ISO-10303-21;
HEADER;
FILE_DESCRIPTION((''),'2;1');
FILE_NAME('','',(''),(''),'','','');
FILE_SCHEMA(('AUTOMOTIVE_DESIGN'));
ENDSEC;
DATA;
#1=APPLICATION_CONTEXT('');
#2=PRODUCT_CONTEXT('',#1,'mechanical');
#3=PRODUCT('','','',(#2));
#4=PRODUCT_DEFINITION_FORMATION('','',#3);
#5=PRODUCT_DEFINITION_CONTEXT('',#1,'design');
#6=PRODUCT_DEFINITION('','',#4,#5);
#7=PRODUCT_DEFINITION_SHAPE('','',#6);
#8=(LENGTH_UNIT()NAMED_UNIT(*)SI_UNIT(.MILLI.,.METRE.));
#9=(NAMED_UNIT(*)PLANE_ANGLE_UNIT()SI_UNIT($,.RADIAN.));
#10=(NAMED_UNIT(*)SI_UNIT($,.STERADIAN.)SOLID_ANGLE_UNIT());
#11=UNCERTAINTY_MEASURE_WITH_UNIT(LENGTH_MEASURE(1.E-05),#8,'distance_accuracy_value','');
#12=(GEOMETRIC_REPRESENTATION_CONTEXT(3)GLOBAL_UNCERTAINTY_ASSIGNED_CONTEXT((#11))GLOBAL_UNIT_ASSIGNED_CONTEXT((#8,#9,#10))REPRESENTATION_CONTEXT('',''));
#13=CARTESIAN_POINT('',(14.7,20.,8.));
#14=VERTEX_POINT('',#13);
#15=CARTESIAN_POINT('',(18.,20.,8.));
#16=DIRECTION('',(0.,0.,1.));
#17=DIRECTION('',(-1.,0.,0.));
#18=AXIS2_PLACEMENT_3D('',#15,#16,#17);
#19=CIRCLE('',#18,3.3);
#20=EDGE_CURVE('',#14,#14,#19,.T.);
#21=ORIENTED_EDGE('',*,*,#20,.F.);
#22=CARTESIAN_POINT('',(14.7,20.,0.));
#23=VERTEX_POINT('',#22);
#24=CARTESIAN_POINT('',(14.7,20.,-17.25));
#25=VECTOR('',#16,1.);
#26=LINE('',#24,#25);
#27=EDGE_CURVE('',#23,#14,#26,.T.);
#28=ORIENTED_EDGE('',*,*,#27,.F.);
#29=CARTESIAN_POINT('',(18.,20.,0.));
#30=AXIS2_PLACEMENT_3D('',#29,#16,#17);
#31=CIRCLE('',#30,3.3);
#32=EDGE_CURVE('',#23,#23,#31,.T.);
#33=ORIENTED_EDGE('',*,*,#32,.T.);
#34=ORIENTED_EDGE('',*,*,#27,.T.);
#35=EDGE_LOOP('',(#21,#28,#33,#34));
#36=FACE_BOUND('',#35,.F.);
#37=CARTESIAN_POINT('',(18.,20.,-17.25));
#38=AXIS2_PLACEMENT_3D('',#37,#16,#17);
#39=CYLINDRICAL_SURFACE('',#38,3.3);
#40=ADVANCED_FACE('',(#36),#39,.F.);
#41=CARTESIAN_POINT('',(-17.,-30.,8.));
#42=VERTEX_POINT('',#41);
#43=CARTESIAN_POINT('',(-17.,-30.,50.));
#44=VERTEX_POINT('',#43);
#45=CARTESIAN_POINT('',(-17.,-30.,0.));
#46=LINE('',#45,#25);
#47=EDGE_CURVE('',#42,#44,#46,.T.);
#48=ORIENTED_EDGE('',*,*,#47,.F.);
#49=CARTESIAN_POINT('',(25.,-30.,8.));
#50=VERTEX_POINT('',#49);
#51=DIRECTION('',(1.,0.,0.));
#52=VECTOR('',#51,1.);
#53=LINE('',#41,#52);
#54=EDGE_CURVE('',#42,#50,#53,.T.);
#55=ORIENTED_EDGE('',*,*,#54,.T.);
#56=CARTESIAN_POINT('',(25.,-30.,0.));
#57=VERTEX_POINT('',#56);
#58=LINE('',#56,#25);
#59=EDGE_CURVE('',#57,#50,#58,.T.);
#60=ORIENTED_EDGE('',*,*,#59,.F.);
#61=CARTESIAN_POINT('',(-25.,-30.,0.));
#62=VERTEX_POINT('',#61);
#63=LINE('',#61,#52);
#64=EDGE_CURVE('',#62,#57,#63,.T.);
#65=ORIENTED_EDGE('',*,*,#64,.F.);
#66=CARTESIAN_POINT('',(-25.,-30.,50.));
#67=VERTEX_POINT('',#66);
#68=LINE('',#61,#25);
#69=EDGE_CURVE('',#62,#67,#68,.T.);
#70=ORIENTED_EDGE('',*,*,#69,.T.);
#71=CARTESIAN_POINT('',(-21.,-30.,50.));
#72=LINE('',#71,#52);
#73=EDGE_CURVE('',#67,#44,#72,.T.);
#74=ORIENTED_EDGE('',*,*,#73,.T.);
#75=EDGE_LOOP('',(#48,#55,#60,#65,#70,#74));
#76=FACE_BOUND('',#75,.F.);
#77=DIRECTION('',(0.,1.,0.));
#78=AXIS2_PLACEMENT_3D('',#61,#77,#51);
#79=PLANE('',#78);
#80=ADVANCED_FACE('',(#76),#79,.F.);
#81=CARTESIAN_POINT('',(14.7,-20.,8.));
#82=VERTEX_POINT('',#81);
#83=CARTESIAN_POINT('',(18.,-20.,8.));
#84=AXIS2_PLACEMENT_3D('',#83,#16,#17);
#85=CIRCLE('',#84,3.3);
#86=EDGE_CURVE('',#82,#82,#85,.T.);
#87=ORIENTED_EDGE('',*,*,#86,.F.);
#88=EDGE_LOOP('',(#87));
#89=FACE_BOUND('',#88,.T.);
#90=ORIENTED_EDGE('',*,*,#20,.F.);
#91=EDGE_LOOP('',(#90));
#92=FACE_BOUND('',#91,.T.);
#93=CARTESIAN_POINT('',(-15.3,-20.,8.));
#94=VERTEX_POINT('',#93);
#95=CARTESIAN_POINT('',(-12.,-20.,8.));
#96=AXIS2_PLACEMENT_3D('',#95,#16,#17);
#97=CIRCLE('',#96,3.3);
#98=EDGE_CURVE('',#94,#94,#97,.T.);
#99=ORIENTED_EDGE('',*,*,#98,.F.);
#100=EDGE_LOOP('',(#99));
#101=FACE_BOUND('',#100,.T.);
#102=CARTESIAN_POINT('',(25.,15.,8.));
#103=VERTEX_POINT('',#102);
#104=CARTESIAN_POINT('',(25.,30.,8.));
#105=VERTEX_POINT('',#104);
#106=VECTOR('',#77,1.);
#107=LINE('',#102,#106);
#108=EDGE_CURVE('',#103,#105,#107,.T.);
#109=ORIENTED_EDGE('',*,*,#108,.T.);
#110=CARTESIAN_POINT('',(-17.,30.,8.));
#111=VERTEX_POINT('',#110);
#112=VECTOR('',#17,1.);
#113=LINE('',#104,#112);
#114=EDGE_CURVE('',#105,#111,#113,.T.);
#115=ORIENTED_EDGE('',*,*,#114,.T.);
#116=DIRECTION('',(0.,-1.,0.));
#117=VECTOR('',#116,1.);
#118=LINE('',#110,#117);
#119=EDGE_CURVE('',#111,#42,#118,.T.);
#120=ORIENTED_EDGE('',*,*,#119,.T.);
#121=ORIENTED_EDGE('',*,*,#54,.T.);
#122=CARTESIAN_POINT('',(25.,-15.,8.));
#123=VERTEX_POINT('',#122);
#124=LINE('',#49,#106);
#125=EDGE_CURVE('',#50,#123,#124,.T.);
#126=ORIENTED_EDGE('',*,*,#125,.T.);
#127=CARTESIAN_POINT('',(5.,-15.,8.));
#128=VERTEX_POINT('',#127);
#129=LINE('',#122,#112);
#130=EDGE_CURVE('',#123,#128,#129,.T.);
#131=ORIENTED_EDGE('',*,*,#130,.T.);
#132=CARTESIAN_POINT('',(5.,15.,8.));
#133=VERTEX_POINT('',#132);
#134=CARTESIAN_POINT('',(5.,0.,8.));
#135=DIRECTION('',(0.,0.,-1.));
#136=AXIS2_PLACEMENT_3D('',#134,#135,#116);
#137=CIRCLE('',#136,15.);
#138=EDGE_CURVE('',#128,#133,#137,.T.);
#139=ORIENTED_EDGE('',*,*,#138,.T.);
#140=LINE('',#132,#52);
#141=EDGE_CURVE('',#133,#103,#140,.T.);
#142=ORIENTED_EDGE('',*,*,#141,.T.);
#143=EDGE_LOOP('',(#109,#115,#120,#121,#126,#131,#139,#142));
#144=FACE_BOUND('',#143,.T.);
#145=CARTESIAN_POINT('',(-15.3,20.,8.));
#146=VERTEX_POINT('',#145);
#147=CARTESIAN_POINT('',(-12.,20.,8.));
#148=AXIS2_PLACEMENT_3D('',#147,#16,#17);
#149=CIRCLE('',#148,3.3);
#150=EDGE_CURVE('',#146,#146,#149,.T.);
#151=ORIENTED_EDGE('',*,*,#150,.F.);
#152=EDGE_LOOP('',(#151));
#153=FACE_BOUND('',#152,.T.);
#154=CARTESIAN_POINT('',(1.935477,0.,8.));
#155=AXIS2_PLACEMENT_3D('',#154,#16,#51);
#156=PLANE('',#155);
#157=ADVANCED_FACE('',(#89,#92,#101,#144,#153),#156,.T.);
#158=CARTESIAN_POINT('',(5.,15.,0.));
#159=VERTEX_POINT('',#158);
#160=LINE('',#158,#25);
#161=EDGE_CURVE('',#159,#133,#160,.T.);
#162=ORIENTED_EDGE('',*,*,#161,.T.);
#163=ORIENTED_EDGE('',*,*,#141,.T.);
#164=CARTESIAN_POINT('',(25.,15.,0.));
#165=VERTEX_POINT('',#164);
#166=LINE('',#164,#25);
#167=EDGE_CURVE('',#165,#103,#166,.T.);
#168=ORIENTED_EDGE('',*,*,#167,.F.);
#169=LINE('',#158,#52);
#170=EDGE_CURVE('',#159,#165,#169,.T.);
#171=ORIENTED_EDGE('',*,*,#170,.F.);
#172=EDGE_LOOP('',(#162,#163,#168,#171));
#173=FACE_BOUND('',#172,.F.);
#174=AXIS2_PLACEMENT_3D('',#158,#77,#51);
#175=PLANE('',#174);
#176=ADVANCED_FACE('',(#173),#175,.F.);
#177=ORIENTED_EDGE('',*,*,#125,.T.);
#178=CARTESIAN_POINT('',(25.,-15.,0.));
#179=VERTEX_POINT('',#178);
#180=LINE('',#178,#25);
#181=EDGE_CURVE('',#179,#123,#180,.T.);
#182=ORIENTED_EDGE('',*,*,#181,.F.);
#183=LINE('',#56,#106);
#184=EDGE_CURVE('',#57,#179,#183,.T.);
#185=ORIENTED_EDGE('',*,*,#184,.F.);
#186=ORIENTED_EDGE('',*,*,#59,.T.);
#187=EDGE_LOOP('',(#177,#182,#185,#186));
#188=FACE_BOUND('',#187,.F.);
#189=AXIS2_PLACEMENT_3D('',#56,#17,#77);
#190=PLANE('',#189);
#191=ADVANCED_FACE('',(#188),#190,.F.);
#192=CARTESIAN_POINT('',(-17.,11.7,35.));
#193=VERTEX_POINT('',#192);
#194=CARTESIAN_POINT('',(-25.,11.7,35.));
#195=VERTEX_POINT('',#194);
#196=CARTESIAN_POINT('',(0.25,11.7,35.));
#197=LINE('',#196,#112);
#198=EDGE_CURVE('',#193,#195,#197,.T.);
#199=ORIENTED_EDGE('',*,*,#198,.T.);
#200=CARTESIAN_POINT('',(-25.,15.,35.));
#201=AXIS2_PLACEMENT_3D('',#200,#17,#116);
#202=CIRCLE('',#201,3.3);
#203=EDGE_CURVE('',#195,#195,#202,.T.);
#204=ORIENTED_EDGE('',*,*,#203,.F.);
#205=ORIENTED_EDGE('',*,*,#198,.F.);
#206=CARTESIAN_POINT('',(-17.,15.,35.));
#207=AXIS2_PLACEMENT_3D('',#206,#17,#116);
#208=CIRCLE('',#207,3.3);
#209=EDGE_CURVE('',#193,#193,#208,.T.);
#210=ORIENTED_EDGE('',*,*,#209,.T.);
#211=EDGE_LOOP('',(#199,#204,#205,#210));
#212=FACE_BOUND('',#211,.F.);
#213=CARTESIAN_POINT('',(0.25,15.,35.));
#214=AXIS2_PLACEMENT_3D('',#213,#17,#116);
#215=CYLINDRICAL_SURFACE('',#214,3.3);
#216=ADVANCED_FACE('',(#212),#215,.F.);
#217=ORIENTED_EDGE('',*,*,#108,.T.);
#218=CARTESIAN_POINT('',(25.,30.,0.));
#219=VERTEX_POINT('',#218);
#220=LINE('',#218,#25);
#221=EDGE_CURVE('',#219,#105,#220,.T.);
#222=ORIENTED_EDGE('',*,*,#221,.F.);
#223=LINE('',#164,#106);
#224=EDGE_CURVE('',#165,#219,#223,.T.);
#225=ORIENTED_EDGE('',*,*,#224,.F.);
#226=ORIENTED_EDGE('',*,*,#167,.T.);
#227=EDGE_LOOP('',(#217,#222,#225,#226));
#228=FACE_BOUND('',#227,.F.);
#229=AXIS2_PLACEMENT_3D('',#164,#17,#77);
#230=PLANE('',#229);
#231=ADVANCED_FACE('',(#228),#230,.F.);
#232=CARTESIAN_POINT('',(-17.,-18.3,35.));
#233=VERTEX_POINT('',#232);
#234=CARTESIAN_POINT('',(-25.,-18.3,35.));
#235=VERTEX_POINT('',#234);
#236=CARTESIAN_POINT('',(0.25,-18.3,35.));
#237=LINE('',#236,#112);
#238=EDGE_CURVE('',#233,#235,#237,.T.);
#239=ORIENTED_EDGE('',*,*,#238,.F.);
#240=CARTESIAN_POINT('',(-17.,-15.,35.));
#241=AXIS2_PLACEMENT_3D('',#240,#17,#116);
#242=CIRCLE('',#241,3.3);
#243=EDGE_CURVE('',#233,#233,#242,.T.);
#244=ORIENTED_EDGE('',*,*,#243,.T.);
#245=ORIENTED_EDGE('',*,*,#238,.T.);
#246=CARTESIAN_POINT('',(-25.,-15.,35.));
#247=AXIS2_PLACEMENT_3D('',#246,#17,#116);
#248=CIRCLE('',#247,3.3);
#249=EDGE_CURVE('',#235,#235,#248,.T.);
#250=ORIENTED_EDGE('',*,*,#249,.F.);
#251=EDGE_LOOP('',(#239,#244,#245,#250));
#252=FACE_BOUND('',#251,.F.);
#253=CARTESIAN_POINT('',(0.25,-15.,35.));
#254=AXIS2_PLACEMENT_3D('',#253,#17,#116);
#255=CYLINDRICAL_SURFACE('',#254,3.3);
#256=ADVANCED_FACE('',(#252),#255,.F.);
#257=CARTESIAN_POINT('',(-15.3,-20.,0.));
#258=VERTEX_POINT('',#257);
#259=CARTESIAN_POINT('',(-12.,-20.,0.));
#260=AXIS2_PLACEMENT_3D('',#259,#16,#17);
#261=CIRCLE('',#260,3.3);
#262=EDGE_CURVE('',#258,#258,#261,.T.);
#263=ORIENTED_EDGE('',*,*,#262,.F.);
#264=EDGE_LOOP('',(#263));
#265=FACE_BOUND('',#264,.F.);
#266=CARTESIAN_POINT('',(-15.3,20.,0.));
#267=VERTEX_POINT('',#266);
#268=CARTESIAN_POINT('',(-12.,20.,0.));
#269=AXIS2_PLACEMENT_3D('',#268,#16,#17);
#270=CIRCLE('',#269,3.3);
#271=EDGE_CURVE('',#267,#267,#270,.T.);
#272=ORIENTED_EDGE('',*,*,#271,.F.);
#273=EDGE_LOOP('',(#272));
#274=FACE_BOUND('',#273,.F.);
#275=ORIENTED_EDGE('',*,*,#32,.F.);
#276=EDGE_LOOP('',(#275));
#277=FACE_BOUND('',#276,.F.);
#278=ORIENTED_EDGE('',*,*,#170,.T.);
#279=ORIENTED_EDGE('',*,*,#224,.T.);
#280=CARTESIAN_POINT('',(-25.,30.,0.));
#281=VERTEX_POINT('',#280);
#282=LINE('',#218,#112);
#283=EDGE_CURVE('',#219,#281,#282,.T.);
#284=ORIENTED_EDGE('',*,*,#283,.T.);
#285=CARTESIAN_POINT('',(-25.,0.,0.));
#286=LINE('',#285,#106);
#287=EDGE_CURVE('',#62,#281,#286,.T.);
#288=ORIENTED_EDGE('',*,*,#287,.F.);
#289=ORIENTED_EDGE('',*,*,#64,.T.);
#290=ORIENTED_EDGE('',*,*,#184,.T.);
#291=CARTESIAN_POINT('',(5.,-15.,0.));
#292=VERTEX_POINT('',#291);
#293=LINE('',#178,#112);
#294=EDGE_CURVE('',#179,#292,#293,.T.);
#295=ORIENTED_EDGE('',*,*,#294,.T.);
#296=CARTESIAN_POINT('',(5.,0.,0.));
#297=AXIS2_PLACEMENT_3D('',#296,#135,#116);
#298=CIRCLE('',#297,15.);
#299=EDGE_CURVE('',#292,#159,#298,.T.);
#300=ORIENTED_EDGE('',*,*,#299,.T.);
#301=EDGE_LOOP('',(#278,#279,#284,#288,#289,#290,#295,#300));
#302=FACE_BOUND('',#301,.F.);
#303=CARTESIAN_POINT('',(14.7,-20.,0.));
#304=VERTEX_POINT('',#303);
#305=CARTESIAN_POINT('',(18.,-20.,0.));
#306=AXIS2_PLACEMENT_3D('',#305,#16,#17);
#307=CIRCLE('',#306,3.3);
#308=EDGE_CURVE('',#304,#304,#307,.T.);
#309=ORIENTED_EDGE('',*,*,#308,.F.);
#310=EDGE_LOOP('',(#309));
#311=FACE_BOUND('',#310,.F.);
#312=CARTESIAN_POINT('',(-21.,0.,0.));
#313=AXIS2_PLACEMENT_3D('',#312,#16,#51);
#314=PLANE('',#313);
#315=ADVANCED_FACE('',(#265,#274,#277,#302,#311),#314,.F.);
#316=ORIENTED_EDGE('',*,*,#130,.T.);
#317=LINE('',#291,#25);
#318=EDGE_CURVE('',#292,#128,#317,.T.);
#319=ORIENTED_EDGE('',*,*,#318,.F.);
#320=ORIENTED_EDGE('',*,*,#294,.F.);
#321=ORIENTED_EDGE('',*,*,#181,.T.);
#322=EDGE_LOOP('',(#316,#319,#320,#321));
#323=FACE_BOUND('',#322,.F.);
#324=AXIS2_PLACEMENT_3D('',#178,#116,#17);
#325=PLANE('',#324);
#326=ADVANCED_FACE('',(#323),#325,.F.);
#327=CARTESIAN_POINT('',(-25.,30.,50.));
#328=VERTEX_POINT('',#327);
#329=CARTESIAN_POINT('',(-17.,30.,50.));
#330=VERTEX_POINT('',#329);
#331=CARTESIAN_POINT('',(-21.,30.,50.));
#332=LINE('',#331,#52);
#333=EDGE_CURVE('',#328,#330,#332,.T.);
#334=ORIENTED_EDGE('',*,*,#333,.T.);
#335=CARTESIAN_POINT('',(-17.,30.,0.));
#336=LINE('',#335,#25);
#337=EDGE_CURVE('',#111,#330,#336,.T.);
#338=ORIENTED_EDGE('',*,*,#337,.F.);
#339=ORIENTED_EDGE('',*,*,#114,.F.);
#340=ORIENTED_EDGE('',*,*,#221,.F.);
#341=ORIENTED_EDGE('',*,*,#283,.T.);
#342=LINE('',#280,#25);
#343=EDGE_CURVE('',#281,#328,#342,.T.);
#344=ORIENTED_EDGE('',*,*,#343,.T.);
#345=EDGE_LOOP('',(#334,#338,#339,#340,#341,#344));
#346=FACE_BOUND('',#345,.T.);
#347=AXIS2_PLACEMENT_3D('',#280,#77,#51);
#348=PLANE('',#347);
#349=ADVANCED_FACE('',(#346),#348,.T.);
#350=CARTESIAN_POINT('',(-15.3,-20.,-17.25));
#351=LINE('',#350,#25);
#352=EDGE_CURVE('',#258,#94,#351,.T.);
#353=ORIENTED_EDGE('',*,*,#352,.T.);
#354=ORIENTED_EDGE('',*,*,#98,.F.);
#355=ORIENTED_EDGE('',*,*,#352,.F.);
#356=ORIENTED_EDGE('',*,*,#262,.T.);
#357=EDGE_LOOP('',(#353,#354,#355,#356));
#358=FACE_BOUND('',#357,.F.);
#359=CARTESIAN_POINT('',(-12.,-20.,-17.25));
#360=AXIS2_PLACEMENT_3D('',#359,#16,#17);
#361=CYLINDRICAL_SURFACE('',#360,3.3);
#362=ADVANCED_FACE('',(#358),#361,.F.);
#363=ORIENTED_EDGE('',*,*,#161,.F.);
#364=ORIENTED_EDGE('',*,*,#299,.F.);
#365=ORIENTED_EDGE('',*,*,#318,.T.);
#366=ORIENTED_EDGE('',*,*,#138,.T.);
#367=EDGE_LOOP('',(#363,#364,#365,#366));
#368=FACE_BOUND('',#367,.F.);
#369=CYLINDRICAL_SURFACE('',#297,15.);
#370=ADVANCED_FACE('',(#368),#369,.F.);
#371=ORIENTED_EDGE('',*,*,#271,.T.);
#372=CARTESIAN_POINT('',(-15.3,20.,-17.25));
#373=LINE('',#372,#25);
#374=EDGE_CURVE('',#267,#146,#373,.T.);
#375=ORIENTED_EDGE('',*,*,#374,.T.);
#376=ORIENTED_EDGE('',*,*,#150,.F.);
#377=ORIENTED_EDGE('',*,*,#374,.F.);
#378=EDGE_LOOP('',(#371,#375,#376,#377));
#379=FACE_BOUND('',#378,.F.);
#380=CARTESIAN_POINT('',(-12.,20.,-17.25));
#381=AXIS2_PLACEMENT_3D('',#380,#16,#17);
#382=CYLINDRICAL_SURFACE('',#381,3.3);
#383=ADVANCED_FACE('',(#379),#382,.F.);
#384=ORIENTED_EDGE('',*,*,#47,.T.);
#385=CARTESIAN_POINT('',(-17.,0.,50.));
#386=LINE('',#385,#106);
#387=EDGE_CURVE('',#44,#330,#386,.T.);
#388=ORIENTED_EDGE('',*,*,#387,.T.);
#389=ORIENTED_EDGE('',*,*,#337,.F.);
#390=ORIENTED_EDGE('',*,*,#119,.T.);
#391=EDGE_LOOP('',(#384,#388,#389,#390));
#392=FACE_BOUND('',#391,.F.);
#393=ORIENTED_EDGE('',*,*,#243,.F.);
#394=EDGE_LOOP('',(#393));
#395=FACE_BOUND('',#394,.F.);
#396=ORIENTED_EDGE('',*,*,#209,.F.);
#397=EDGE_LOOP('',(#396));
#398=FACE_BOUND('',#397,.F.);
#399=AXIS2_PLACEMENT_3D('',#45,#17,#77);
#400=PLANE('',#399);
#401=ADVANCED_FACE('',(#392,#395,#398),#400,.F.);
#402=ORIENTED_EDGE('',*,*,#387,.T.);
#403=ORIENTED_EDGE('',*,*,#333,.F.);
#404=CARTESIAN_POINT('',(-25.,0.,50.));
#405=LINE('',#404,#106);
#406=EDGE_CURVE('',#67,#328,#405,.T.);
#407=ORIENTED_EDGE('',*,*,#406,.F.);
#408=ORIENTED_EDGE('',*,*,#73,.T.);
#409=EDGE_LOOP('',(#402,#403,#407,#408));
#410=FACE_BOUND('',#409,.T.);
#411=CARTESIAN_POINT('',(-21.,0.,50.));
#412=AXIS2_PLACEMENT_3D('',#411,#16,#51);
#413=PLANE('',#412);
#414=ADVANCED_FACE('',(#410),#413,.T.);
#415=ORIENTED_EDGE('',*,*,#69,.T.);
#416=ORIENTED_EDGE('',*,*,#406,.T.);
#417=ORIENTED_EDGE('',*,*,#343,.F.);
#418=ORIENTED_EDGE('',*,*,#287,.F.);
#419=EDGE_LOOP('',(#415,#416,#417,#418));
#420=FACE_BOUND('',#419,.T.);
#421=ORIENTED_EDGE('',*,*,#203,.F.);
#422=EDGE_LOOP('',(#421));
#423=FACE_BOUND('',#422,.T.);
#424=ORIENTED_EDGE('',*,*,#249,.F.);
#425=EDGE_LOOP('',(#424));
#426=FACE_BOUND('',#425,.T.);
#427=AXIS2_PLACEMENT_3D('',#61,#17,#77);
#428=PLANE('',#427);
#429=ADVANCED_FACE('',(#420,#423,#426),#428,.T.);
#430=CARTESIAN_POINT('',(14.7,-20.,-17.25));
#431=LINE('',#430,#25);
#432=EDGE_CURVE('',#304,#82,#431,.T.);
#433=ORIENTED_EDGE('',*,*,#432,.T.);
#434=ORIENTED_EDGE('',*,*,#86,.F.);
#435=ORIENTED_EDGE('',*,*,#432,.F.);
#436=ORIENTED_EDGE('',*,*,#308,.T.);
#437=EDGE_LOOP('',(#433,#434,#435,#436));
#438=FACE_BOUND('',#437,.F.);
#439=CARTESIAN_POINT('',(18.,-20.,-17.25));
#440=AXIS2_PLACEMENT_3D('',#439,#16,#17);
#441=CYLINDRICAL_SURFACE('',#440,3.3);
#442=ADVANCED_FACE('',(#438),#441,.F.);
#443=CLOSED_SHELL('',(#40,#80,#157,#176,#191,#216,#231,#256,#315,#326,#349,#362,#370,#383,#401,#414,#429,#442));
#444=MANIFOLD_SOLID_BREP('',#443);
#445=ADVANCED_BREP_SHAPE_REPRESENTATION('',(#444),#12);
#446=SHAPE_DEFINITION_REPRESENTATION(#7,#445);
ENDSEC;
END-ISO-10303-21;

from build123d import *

# Parameters (mm, degrees)
F1_DEPTH = 8
F0_W     = 8
F0_H     = 60
F2_DEPTH = 50
F4_D     = 6.6
F4_DEPTH = 17.25
F4_TIP   = 1.9828400428
F5_D     = 6.6
F5_DEPTH = 17.25
F5_TIP   = 1.9828400428


with BuildPart() as f1:
    # F0 (on Top) → F1 (new body)
    with BuildSketch(Plane.XY):
        with BuildLine():
            Line((-17, -30), (25, -30))
            Line((25, -30), (25, -15))
            Line((25, -15), (5, -15))
            ThreePointArc((5, -15), (-10, 0), (5, 15))
            Line((5, 15), (25, 15))
            Line((25, 15), (25, 30))
            Line((25, 30), (-17, 30))
            Line((-17, 30), (-17, -30))
        make_face()
    extrude(amount=F1_DEPTH)

    # F0 (on Top) → F2 (join)
    with BuildSketch(Plane.XY):
        with Locations((-21, 0)):
            Rectangle(F0_W, F0_H)
    extrude(amount=F2_DEPTH)

    # F4
    with Locations(Plane(origin=(0, 0, 0), x_dir=(1, 0, 0), z_dir=(0, 0, -1))):
        with Locations((18, 20), (-12, 20), (18, -20), (-12, -20)):
            Hole(F4_D / 2, depth=F4_DEPTH)
            with Locations((0, 0, -(F4_DEPTH + F4_TIP / 2))):  # 118° drill point
                Cone(0, F4_D / 2, F4_TIP, mode=Mode.SUBTRACT)

    # F5
    with Locations(Plane.YZ.offset(-17)):
        with Locations((-15, 35), (15, 35)):
            Hole(F5_D / 2, depth=F5_DEPTH)
            with Locations((0, 0, -(F5_DEPTH + F5_TIP / 2))):  # 118° drill point
                Cone(0, F5_D / 2, F5_TIP, mode=Mode.SUBTRACT)


solid = f1.part
